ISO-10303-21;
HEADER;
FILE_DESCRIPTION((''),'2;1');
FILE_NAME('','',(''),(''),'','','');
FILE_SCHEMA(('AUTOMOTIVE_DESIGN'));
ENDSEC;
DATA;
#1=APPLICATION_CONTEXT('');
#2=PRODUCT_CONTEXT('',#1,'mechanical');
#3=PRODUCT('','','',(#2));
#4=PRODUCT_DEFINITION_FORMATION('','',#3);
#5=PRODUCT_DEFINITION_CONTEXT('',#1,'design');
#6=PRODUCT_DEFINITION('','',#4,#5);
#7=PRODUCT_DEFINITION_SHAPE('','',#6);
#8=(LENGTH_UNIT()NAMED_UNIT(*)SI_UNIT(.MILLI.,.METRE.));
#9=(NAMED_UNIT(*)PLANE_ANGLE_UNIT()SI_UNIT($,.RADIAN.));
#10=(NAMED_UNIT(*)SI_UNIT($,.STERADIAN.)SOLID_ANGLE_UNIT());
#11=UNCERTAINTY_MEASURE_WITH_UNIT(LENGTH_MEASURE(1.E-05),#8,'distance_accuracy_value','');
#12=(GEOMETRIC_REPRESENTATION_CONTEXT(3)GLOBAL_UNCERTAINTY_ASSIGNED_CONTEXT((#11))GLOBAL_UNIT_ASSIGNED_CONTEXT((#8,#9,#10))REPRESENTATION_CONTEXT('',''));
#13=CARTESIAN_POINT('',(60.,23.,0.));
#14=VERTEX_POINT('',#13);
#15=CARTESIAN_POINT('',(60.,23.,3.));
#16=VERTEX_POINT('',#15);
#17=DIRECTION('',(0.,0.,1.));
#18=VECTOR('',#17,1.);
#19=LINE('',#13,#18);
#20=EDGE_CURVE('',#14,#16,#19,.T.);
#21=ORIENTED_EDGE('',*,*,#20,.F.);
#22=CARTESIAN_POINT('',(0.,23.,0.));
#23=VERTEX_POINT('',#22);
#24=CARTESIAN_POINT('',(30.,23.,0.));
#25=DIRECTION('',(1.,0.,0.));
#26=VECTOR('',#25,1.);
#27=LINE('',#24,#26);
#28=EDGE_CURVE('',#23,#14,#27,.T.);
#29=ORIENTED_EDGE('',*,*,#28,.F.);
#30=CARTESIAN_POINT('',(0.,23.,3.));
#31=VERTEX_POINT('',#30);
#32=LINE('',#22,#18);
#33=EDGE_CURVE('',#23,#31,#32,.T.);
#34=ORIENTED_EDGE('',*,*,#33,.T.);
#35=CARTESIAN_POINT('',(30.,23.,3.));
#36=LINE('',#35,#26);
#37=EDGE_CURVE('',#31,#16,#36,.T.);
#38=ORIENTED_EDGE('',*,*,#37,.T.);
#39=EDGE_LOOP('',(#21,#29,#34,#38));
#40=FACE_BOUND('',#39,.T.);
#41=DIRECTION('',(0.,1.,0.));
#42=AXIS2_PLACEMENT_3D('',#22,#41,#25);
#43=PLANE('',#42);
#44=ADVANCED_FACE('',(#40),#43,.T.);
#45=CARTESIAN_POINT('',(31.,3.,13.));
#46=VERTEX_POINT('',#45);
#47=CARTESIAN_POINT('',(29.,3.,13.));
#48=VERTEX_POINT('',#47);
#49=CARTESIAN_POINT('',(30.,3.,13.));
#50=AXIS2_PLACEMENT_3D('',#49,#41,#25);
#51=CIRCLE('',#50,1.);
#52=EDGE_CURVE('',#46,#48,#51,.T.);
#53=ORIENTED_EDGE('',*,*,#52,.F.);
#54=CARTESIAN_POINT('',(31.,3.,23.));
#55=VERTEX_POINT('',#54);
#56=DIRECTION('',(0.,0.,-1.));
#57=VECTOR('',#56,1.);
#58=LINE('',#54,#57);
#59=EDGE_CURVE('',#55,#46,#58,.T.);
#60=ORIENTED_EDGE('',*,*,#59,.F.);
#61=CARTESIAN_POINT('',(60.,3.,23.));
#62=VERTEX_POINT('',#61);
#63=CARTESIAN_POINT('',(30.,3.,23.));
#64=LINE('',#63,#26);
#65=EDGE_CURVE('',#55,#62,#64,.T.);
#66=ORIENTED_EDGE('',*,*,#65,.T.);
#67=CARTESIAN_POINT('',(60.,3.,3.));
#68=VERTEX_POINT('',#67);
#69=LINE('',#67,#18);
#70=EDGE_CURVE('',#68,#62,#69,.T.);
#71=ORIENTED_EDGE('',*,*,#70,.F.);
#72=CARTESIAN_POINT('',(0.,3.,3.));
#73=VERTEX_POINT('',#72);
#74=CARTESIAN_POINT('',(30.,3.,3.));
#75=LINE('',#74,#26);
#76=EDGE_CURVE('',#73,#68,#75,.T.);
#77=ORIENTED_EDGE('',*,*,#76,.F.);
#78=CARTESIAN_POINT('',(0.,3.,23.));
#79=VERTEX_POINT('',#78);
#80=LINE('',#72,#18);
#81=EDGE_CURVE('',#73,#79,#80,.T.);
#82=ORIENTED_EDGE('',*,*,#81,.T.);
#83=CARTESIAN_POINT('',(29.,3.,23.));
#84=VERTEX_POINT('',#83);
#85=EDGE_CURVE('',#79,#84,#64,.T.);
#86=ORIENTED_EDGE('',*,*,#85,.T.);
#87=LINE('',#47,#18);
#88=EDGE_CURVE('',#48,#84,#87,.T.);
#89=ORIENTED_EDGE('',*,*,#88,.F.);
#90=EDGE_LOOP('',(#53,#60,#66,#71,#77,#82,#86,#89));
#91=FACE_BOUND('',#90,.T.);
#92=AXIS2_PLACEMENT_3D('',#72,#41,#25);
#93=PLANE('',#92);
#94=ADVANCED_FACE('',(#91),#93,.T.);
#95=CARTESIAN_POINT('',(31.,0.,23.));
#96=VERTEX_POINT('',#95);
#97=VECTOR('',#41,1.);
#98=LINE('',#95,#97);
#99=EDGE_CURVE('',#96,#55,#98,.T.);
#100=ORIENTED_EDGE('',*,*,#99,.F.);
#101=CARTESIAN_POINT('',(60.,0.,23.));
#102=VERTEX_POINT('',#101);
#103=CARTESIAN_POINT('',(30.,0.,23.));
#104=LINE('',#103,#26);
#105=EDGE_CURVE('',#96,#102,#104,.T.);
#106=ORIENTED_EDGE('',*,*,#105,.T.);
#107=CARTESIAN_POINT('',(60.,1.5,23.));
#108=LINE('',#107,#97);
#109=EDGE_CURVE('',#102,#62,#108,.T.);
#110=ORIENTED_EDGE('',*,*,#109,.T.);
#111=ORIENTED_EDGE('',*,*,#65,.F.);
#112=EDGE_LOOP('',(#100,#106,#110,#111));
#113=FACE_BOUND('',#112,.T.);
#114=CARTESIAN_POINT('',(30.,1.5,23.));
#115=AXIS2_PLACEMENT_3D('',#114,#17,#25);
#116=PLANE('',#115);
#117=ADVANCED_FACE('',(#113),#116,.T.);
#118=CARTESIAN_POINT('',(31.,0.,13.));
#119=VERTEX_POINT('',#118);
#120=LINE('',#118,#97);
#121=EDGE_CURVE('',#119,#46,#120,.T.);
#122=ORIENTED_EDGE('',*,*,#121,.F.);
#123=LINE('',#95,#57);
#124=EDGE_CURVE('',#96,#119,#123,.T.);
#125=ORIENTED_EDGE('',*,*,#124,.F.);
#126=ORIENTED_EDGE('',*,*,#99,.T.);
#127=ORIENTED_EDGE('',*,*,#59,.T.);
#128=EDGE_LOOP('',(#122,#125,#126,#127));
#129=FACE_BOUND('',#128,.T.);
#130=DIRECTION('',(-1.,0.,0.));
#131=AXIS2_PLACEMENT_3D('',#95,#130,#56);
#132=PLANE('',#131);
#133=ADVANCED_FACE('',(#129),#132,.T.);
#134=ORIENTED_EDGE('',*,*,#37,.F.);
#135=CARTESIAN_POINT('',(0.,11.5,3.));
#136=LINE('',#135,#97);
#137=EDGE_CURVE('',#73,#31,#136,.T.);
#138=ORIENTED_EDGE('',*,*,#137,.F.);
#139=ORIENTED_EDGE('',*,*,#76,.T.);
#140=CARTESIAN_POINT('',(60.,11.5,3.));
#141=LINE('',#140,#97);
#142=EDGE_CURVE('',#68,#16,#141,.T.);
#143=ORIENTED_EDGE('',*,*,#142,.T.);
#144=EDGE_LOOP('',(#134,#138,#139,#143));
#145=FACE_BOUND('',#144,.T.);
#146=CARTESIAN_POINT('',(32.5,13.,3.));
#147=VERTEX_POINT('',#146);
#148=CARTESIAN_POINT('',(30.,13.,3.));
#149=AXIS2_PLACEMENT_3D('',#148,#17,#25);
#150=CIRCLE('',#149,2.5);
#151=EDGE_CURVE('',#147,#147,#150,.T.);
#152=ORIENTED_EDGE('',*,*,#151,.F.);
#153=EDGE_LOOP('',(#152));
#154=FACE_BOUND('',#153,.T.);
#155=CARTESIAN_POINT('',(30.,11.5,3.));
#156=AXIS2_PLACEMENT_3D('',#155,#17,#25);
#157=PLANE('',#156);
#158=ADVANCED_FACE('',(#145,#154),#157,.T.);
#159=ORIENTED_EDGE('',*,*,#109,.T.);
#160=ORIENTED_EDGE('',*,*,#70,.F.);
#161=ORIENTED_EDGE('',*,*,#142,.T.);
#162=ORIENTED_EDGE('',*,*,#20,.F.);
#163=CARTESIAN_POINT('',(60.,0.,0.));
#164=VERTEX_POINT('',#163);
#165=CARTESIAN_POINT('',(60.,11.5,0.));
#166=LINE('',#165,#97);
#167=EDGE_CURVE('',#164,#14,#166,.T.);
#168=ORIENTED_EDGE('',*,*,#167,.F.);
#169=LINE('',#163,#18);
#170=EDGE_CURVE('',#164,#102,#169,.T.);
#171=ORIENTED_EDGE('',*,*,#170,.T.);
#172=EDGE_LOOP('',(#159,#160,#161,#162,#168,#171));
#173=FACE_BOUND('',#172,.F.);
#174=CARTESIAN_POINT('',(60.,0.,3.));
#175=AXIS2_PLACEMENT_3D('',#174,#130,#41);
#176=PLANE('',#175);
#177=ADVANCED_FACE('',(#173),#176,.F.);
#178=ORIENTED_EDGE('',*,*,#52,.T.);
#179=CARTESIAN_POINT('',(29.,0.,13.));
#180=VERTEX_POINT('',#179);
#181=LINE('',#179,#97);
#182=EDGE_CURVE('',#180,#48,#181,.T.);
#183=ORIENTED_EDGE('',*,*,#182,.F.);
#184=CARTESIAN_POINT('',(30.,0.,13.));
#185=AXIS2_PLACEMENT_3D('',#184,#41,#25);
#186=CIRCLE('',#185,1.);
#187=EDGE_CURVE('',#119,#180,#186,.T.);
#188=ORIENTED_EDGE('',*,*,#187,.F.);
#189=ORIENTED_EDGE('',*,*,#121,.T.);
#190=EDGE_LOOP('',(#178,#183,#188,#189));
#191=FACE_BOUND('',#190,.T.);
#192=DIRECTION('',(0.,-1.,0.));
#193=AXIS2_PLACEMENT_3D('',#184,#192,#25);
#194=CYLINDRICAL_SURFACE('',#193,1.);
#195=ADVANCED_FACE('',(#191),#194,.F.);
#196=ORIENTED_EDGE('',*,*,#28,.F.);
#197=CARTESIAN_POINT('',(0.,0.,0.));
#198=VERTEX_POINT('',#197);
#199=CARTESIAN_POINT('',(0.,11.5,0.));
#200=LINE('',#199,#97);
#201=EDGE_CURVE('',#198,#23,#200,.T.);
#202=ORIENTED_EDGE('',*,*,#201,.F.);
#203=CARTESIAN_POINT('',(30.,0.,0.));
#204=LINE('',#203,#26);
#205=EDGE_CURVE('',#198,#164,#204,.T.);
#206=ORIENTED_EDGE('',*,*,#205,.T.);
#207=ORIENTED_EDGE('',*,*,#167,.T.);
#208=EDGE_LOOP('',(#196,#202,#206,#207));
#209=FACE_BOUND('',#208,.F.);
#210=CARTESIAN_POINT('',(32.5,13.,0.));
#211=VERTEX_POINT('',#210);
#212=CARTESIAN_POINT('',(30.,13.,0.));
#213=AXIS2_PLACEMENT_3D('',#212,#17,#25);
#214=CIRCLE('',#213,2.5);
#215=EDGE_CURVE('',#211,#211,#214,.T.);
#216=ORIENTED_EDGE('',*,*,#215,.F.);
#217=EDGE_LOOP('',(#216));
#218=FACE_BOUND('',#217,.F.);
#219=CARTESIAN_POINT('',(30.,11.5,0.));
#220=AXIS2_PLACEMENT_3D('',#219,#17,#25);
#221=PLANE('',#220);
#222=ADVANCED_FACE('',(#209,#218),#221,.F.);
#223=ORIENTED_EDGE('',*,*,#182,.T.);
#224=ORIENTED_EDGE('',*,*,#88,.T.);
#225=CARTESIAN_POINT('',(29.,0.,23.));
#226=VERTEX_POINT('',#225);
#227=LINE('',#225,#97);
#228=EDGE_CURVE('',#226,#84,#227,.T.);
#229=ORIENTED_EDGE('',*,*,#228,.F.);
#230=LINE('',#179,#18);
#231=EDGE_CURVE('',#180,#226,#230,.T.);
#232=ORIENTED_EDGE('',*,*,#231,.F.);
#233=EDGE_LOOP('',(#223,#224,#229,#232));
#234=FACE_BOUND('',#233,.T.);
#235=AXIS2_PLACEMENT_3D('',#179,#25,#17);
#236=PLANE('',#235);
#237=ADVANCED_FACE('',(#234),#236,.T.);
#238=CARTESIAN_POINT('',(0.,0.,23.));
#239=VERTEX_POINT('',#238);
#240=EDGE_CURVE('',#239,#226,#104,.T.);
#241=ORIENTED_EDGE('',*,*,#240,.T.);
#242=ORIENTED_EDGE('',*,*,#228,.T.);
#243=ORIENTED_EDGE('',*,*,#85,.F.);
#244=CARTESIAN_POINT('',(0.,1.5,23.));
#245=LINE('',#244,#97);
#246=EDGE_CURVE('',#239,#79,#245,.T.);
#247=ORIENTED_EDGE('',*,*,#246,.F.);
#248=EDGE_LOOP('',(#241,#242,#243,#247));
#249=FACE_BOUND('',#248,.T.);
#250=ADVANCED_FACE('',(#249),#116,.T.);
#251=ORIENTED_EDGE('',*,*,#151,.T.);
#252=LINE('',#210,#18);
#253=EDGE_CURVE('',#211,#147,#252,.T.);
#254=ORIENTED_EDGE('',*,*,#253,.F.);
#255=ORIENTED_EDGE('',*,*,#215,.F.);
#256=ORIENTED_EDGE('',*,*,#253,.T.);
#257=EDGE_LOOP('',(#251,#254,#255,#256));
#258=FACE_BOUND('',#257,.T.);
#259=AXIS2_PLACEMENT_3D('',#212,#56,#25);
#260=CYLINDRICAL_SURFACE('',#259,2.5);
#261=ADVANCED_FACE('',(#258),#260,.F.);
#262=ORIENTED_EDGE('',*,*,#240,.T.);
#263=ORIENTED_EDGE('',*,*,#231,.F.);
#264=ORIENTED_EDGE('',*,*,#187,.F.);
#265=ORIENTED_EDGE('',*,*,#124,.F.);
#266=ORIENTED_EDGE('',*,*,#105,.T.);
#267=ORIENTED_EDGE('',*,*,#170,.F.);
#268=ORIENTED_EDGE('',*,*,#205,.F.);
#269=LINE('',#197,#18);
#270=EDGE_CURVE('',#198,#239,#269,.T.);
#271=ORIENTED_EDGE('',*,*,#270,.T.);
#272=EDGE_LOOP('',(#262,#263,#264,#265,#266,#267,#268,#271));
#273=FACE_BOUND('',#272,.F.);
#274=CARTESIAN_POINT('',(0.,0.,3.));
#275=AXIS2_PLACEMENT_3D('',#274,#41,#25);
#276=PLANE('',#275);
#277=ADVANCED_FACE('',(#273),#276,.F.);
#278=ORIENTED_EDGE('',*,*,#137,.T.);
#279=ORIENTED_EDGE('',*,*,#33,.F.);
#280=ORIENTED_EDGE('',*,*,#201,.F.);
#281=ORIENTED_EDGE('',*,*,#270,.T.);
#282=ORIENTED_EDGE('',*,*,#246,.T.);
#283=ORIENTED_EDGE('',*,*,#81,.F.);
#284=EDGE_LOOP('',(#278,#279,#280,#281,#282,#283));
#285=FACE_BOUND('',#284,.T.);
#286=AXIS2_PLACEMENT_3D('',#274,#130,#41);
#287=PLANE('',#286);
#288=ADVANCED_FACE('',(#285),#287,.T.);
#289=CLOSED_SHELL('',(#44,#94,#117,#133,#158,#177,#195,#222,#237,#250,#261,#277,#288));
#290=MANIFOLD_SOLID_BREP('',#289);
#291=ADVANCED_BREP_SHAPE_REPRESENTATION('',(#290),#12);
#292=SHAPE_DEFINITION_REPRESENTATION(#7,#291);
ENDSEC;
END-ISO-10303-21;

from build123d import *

# Parameters (mm, degrees)
EXTRUDE002_DEPTH = 3
SKETCH001_W      = 60
SKETCH001_H      = 3
EXTRUDE001_DEPTH = 20
SKETCH_W         = 60
SKETCH_H         = 23
SKETCH_R         = 2.5
EXTRUDE_DEPTH    = 3


with BuildPart() as extrude002:
    # Face002 → Extrude002 (new body)
    with BuildSketch(Plane(origin=(30, 0, 17.604991), x_dir=(1, 0, 0), z_dir=(0, 1, 0))):
        with BuildLine():
            Line((-1, -5.395009), (1, -5.395009))
            Line((1, -5.395009), (1, 4.604991))
            ThreePointArc((1, 4.604991), (0, 5.604991), (-1, 4.604991))
            Line((-1, 4.604991), (-1, -5.395009))
        make_face()
    extrude(amount=EXTRUDE002_DEPTH)


with BuildPart() as cut:
    # Sketch001 (on Face7 of Extrude) → Extrude001 (new body)
    with BuildSketch(Plane.XY.offset(3)):
        with Locations((30, 1.5)):
            Rectangle(SKETCH001_W, SKETCH001_H)
    extrude(amount=EXTRUDE001_DEPTH)

    # Cut: cut Extrude002
    add(extrude002.part, mode=Mode.SUBTRACT)


with BuildPart() as fusion:
    # Sketch → Extrude (new body)
    with BuildSketch(Plane.XY):
        with Locations((30, 11.5)):
            Rectangle(SKETCH_W, SKETCH_H)
        with Locations((30, 13)):
            Circle(SKETCH_R, mode=Mode.SUBTRACT)
    extrude(amount=EXTRUDE_DEPTH)

    # Fusion: union Cut
    add(cut.part)


solid = fusion.part
